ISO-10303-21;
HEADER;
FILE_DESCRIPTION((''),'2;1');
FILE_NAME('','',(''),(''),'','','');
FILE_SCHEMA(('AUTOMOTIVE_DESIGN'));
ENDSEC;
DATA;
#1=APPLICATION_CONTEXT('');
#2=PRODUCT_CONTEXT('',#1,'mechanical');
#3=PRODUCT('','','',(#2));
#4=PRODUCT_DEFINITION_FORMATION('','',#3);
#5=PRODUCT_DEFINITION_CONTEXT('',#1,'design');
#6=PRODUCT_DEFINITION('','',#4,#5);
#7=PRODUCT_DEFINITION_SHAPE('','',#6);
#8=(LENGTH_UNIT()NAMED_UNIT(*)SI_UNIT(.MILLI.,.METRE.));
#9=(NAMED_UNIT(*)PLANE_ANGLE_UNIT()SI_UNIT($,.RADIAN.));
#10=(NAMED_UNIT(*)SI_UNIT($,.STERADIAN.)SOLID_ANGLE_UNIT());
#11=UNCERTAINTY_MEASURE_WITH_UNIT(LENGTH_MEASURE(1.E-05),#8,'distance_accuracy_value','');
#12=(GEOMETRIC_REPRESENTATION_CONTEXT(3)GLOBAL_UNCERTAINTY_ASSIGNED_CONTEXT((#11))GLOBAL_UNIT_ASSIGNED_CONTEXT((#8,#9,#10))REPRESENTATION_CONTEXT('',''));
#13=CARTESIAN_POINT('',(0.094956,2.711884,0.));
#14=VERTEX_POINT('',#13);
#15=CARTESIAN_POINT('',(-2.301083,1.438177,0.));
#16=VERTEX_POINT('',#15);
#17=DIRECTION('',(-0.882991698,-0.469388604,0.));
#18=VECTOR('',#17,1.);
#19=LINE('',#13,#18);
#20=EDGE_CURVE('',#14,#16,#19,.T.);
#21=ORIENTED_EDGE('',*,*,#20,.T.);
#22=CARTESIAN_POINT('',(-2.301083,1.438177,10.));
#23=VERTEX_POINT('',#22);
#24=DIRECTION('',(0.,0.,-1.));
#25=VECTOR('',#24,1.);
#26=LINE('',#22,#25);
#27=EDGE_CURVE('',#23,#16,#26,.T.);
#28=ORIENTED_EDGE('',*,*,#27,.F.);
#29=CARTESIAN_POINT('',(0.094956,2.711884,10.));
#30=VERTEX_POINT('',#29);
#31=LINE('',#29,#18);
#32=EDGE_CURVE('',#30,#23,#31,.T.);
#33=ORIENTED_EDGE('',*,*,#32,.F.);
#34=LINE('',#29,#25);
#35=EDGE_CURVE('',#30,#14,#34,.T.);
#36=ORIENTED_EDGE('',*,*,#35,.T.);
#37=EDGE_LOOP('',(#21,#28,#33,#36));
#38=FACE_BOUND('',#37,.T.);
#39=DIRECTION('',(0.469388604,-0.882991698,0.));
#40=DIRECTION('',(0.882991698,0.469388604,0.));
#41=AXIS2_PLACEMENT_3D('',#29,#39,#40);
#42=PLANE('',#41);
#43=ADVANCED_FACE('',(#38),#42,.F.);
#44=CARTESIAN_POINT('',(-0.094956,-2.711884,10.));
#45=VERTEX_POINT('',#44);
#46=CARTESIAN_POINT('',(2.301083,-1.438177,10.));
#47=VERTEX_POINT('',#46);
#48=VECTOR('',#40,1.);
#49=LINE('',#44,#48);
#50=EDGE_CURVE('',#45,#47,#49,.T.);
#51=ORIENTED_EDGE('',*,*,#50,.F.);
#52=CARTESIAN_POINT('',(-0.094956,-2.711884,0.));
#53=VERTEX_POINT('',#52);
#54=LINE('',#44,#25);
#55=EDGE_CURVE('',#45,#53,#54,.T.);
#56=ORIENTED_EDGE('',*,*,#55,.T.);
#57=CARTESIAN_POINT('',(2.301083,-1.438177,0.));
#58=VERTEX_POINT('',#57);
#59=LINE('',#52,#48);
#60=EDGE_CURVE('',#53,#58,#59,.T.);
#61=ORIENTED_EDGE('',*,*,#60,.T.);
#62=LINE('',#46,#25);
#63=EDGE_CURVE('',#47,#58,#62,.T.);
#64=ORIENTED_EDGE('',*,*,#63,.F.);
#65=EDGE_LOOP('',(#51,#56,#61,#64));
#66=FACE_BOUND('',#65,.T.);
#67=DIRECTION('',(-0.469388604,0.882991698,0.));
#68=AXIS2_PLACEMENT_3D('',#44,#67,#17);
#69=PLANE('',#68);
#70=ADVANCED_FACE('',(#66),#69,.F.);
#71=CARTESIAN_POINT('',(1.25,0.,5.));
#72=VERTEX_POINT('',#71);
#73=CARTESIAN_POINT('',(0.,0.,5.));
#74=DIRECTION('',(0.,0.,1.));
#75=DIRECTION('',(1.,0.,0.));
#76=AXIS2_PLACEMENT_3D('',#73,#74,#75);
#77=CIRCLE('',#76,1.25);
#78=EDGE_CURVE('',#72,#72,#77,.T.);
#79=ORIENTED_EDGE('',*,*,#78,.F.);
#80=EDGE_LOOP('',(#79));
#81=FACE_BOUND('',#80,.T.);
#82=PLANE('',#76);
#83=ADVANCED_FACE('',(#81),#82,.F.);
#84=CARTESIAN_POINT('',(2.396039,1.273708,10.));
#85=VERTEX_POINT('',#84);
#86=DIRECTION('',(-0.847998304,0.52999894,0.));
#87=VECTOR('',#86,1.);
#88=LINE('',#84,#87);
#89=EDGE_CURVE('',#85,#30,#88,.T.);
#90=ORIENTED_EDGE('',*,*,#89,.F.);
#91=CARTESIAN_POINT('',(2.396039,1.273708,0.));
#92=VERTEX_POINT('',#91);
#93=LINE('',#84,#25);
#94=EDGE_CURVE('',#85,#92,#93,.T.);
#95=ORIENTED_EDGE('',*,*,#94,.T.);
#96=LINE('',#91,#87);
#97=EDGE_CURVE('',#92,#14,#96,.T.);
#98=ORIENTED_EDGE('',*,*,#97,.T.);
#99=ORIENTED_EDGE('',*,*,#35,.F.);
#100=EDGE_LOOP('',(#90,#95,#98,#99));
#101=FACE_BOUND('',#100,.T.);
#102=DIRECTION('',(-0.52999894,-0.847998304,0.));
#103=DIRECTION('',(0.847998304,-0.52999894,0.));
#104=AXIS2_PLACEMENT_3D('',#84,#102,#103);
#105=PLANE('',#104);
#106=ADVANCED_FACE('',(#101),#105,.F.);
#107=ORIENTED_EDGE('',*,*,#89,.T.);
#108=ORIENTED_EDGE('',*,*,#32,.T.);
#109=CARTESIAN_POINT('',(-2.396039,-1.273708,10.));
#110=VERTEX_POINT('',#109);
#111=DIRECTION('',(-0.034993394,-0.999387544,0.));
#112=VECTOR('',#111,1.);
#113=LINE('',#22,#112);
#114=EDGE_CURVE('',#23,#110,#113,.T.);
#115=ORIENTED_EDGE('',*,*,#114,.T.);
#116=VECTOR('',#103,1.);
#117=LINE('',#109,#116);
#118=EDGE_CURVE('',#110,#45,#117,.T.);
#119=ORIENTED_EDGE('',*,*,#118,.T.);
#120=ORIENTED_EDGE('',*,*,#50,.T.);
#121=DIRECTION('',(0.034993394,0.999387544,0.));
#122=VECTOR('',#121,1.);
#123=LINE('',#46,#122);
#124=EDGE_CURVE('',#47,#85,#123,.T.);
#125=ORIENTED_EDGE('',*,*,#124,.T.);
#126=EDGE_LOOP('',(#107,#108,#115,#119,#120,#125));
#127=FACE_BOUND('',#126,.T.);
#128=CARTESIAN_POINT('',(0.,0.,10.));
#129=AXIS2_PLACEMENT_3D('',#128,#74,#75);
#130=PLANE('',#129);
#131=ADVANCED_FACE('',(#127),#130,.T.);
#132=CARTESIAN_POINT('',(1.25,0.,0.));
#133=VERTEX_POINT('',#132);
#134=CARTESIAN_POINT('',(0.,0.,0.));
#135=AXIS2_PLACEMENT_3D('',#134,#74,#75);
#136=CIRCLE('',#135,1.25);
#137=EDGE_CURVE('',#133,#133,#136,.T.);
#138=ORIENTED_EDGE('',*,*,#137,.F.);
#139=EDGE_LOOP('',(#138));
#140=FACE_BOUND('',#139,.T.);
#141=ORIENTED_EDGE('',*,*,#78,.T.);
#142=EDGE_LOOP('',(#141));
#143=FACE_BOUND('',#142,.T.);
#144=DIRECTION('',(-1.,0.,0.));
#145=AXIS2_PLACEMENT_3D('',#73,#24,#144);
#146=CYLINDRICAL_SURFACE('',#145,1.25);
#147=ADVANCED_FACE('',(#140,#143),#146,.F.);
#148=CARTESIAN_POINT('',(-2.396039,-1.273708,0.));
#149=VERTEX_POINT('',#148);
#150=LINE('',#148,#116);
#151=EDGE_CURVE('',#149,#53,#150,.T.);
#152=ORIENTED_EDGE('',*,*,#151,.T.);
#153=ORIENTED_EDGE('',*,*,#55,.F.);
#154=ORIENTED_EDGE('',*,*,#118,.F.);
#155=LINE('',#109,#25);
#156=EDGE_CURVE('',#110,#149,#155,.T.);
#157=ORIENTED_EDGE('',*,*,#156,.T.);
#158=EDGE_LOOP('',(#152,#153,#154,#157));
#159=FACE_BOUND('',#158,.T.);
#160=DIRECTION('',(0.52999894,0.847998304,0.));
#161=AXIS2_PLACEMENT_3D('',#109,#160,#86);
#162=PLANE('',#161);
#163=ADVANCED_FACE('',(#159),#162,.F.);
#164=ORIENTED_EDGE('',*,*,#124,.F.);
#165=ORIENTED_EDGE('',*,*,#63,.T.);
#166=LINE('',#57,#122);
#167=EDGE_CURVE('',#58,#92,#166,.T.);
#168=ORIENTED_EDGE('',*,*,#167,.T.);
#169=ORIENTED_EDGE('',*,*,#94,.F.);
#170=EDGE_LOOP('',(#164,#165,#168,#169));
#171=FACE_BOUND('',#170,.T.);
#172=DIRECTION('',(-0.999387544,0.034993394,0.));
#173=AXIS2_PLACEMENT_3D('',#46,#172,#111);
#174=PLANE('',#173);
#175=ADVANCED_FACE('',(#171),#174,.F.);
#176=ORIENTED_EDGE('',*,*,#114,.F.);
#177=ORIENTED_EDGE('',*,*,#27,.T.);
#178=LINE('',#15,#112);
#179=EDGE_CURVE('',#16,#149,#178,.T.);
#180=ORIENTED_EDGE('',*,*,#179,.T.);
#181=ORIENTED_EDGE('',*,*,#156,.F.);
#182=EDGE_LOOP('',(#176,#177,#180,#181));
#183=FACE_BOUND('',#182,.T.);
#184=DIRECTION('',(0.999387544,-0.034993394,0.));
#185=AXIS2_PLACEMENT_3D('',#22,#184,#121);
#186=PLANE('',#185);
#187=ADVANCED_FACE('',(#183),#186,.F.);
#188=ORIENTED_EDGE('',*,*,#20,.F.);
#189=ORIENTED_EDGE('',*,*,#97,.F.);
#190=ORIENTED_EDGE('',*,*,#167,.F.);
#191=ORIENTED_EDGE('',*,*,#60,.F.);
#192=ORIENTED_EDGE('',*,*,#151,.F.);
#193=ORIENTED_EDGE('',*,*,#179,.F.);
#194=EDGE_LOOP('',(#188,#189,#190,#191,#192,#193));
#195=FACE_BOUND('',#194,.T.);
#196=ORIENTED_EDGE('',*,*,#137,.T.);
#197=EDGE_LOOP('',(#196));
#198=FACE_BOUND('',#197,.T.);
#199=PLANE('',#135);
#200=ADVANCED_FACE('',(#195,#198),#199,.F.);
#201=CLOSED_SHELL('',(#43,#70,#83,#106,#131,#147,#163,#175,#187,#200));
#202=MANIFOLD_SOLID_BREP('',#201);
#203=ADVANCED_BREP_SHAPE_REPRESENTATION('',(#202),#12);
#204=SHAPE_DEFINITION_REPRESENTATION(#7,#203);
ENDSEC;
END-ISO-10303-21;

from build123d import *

# Parameters (mm, degrees)
BOSS_EXTRUDE1_DEPTH = 10
SKETCH2_R           = 1.25
CUT_EXTRUDE1_DEPTH  = 5


with BuildPart() as part:
    # Sketch1 → Boss-Extrude1 (new body)
    with BuildSketch(Plane.XY):
        Polygon((2.301082631, -1.438176644), (2.396038824, 1.273707692), (0.094956194, 2.711884337), (-2.301082631, 1.438176644), (-2.396038824, -1.273707692), (-0.094956194, -2.711884337), align=None)
    extrude(amount=BOSS_EXTRUDE1_DEPTH)

    # Sketch2 → Cut-Extrude1 (cut)
    with BuildSketch(Plane.XY):
        Circle(SKETCH2_R)
    extrude(amount=CUT_EXTRUDE1_DEPTH, mode=Mode.SUBTRACT)


solid = part.part
